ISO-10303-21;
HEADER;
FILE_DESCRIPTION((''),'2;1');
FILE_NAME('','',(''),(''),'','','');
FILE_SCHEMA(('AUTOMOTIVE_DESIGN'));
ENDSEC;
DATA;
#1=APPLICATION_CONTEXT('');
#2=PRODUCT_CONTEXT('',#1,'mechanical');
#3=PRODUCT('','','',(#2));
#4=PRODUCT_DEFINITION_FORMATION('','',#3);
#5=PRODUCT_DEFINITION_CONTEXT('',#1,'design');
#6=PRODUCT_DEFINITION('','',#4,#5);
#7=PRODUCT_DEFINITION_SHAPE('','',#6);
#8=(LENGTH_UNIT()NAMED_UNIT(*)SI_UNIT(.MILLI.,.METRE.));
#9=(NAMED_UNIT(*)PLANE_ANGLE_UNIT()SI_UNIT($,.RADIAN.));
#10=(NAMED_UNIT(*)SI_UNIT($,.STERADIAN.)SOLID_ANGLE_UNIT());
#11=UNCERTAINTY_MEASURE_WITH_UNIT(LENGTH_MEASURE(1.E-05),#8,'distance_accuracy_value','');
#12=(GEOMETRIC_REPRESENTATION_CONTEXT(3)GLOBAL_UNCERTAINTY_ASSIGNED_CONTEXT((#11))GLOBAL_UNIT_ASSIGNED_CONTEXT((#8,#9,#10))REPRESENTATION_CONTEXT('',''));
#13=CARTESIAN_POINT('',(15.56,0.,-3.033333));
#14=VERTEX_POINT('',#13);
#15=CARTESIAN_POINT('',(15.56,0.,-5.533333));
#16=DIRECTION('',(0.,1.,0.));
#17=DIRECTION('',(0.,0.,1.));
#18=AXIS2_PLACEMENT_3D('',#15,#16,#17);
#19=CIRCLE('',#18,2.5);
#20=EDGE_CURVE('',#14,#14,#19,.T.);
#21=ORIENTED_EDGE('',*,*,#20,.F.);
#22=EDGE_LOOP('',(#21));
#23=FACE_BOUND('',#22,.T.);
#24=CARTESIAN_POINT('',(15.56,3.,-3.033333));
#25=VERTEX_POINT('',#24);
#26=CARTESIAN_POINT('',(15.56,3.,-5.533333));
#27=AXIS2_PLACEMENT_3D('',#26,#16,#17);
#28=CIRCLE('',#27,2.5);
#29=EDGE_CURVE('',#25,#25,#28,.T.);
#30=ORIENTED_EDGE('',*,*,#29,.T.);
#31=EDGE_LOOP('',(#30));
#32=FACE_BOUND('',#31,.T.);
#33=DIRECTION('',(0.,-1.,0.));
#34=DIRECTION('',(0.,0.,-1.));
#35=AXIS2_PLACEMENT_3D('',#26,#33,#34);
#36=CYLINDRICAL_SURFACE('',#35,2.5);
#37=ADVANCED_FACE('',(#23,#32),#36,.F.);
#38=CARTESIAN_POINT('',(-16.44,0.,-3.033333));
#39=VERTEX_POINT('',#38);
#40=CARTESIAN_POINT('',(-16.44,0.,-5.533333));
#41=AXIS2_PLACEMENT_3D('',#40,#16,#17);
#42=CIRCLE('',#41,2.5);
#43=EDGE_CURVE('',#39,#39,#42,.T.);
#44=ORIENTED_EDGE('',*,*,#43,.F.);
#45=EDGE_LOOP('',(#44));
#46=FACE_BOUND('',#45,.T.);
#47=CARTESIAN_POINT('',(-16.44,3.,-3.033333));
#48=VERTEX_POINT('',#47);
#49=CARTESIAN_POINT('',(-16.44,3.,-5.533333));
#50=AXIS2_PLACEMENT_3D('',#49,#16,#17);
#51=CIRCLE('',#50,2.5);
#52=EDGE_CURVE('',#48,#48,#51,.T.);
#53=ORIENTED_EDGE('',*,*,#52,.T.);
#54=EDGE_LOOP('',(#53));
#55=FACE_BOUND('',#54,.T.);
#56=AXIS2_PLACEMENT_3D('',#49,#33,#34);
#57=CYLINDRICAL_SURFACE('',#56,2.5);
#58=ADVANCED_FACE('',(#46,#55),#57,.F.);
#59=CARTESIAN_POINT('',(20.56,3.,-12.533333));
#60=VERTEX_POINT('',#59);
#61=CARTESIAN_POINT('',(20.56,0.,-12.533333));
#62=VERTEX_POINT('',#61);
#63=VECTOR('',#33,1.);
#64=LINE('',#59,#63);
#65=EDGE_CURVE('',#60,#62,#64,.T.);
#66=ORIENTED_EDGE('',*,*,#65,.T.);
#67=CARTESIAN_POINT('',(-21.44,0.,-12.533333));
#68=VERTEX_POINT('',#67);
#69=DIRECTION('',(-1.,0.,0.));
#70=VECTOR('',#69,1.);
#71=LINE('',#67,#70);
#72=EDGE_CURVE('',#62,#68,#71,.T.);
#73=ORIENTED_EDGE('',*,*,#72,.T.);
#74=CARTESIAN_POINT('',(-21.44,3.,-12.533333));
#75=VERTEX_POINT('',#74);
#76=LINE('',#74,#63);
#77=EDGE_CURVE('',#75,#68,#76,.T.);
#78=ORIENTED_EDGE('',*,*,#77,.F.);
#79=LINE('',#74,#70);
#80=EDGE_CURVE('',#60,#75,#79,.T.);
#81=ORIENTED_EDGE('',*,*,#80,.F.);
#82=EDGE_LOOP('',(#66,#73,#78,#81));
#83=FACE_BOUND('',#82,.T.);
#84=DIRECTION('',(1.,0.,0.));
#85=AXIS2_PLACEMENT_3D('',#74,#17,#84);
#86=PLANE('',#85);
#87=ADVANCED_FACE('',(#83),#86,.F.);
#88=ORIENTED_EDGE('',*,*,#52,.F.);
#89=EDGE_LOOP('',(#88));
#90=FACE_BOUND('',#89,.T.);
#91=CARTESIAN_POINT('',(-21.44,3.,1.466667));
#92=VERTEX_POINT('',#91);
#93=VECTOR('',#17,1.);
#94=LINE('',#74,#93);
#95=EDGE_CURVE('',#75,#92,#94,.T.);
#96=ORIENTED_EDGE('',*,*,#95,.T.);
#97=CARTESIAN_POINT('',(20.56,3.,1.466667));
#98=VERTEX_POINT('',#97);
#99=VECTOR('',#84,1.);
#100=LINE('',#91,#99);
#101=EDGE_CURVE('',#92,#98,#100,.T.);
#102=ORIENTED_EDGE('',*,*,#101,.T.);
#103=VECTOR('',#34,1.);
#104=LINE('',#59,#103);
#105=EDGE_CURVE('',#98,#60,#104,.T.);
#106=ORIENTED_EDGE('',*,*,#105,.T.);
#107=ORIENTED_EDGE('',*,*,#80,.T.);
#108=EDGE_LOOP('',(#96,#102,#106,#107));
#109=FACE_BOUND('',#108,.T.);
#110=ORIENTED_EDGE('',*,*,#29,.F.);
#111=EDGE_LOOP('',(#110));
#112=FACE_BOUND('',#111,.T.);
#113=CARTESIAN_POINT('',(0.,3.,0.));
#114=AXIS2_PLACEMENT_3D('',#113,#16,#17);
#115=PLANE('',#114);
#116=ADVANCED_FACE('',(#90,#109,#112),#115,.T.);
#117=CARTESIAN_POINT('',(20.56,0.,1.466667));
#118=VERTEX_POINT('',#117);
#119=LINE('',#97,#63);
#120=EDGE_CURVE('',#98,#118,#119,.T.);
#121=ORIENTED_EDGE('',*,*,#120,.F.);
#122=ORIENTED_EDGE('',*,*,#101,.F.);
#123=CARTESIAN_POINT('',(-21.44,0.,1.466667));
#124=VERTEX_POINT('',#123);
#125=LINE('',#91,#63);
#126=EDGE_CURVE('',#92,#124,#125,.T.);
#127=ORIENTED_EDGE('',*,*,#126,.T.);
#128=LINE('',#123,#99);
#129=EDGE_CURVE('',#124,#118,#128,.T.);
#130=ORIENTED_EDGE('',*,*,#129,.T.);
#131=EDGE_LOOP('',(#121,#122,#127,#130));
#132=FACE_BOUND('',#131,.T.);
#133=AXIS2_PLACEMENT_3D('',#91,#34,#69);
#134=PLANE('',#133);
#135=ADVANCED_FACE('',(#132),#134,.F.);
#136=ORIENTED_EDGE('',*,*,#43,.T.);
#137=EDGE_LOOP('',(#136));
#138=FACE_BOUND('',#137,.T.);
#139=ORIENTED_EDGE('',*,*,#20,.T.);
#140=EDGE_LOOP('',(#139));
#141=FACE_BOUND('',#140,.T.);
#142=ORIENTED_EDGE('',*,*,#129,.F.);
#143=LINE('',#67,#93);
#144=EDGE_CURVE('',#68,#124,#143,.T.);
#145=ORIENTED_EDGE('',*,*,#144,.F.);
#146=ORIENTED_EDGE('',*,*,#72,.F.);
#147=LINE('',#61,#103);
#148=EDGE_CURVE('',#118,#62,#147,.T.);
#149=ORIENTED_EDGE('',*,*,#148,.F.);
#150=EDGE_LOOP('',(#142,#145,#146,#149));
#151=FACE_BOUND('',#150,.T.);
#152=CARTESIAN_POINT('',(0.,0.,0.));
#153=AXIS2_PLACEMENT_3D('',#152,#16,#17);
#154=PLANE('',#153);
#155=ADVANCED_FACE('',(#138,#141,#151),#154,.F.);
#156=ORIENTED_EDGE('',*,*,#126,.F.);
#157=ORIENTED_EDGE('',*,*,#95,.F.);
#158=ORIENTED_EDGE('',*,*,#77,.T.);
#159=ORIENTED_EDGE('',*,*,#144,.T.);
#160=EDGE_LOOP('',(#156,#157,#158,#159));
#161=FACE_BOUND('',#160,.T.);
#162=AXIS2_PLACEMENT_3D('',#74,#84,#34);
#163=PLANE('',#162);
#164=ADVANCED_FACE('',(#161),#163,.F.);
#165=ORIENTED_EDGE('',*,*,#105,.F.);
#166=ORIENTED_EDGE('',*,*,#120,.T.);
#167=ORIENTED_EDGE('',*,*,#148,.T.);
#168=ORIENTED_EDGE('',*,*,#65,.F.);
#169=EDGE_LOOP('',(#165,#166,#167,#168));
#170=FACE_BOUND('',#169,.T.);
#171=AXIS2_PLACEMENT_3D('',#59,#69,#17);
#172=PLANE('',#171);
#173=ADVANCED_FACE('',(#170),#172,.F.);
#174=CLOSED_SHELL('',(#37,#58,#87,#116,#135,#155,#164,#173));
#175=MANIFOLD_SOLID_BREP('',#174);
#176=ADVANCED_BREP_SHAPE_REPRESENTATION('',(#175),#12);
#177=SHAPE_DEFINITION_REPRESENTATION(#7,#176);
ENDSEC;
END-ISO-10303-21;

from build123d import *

# Parameters (mm, degrees)
SKETCH_1_W      = 42
SKETCH_1_H      = 14
SKETCH_1_R      = 2.5
EXTRUDE_1_DEPTH = 3


with BuildPart() as part:
    # 草图1 → 凸台-拉伸1 (new body)
    with BuildSketch(Plane(origin=(0, 0, 0), x_dir=(1, 0, 0), z_dir=(0, 1, 0))):
        with Locations((-0.44, 5.533333333)):
            Rectangle(SKETCH_1_W, SKETCH_1_H)
        with Locations((-16.44, 5.533333333)):
            Circle(SKETCH_1_R, mode=Mode.SUBTRACT)
        with Locations((15.56, 5.533333333)):
            Circle(SKETCH_1_R, mode=Mode.SUBTRACT)
    extrude(amount=EXTRUDE_1_DEPTH)


solid = part.part
